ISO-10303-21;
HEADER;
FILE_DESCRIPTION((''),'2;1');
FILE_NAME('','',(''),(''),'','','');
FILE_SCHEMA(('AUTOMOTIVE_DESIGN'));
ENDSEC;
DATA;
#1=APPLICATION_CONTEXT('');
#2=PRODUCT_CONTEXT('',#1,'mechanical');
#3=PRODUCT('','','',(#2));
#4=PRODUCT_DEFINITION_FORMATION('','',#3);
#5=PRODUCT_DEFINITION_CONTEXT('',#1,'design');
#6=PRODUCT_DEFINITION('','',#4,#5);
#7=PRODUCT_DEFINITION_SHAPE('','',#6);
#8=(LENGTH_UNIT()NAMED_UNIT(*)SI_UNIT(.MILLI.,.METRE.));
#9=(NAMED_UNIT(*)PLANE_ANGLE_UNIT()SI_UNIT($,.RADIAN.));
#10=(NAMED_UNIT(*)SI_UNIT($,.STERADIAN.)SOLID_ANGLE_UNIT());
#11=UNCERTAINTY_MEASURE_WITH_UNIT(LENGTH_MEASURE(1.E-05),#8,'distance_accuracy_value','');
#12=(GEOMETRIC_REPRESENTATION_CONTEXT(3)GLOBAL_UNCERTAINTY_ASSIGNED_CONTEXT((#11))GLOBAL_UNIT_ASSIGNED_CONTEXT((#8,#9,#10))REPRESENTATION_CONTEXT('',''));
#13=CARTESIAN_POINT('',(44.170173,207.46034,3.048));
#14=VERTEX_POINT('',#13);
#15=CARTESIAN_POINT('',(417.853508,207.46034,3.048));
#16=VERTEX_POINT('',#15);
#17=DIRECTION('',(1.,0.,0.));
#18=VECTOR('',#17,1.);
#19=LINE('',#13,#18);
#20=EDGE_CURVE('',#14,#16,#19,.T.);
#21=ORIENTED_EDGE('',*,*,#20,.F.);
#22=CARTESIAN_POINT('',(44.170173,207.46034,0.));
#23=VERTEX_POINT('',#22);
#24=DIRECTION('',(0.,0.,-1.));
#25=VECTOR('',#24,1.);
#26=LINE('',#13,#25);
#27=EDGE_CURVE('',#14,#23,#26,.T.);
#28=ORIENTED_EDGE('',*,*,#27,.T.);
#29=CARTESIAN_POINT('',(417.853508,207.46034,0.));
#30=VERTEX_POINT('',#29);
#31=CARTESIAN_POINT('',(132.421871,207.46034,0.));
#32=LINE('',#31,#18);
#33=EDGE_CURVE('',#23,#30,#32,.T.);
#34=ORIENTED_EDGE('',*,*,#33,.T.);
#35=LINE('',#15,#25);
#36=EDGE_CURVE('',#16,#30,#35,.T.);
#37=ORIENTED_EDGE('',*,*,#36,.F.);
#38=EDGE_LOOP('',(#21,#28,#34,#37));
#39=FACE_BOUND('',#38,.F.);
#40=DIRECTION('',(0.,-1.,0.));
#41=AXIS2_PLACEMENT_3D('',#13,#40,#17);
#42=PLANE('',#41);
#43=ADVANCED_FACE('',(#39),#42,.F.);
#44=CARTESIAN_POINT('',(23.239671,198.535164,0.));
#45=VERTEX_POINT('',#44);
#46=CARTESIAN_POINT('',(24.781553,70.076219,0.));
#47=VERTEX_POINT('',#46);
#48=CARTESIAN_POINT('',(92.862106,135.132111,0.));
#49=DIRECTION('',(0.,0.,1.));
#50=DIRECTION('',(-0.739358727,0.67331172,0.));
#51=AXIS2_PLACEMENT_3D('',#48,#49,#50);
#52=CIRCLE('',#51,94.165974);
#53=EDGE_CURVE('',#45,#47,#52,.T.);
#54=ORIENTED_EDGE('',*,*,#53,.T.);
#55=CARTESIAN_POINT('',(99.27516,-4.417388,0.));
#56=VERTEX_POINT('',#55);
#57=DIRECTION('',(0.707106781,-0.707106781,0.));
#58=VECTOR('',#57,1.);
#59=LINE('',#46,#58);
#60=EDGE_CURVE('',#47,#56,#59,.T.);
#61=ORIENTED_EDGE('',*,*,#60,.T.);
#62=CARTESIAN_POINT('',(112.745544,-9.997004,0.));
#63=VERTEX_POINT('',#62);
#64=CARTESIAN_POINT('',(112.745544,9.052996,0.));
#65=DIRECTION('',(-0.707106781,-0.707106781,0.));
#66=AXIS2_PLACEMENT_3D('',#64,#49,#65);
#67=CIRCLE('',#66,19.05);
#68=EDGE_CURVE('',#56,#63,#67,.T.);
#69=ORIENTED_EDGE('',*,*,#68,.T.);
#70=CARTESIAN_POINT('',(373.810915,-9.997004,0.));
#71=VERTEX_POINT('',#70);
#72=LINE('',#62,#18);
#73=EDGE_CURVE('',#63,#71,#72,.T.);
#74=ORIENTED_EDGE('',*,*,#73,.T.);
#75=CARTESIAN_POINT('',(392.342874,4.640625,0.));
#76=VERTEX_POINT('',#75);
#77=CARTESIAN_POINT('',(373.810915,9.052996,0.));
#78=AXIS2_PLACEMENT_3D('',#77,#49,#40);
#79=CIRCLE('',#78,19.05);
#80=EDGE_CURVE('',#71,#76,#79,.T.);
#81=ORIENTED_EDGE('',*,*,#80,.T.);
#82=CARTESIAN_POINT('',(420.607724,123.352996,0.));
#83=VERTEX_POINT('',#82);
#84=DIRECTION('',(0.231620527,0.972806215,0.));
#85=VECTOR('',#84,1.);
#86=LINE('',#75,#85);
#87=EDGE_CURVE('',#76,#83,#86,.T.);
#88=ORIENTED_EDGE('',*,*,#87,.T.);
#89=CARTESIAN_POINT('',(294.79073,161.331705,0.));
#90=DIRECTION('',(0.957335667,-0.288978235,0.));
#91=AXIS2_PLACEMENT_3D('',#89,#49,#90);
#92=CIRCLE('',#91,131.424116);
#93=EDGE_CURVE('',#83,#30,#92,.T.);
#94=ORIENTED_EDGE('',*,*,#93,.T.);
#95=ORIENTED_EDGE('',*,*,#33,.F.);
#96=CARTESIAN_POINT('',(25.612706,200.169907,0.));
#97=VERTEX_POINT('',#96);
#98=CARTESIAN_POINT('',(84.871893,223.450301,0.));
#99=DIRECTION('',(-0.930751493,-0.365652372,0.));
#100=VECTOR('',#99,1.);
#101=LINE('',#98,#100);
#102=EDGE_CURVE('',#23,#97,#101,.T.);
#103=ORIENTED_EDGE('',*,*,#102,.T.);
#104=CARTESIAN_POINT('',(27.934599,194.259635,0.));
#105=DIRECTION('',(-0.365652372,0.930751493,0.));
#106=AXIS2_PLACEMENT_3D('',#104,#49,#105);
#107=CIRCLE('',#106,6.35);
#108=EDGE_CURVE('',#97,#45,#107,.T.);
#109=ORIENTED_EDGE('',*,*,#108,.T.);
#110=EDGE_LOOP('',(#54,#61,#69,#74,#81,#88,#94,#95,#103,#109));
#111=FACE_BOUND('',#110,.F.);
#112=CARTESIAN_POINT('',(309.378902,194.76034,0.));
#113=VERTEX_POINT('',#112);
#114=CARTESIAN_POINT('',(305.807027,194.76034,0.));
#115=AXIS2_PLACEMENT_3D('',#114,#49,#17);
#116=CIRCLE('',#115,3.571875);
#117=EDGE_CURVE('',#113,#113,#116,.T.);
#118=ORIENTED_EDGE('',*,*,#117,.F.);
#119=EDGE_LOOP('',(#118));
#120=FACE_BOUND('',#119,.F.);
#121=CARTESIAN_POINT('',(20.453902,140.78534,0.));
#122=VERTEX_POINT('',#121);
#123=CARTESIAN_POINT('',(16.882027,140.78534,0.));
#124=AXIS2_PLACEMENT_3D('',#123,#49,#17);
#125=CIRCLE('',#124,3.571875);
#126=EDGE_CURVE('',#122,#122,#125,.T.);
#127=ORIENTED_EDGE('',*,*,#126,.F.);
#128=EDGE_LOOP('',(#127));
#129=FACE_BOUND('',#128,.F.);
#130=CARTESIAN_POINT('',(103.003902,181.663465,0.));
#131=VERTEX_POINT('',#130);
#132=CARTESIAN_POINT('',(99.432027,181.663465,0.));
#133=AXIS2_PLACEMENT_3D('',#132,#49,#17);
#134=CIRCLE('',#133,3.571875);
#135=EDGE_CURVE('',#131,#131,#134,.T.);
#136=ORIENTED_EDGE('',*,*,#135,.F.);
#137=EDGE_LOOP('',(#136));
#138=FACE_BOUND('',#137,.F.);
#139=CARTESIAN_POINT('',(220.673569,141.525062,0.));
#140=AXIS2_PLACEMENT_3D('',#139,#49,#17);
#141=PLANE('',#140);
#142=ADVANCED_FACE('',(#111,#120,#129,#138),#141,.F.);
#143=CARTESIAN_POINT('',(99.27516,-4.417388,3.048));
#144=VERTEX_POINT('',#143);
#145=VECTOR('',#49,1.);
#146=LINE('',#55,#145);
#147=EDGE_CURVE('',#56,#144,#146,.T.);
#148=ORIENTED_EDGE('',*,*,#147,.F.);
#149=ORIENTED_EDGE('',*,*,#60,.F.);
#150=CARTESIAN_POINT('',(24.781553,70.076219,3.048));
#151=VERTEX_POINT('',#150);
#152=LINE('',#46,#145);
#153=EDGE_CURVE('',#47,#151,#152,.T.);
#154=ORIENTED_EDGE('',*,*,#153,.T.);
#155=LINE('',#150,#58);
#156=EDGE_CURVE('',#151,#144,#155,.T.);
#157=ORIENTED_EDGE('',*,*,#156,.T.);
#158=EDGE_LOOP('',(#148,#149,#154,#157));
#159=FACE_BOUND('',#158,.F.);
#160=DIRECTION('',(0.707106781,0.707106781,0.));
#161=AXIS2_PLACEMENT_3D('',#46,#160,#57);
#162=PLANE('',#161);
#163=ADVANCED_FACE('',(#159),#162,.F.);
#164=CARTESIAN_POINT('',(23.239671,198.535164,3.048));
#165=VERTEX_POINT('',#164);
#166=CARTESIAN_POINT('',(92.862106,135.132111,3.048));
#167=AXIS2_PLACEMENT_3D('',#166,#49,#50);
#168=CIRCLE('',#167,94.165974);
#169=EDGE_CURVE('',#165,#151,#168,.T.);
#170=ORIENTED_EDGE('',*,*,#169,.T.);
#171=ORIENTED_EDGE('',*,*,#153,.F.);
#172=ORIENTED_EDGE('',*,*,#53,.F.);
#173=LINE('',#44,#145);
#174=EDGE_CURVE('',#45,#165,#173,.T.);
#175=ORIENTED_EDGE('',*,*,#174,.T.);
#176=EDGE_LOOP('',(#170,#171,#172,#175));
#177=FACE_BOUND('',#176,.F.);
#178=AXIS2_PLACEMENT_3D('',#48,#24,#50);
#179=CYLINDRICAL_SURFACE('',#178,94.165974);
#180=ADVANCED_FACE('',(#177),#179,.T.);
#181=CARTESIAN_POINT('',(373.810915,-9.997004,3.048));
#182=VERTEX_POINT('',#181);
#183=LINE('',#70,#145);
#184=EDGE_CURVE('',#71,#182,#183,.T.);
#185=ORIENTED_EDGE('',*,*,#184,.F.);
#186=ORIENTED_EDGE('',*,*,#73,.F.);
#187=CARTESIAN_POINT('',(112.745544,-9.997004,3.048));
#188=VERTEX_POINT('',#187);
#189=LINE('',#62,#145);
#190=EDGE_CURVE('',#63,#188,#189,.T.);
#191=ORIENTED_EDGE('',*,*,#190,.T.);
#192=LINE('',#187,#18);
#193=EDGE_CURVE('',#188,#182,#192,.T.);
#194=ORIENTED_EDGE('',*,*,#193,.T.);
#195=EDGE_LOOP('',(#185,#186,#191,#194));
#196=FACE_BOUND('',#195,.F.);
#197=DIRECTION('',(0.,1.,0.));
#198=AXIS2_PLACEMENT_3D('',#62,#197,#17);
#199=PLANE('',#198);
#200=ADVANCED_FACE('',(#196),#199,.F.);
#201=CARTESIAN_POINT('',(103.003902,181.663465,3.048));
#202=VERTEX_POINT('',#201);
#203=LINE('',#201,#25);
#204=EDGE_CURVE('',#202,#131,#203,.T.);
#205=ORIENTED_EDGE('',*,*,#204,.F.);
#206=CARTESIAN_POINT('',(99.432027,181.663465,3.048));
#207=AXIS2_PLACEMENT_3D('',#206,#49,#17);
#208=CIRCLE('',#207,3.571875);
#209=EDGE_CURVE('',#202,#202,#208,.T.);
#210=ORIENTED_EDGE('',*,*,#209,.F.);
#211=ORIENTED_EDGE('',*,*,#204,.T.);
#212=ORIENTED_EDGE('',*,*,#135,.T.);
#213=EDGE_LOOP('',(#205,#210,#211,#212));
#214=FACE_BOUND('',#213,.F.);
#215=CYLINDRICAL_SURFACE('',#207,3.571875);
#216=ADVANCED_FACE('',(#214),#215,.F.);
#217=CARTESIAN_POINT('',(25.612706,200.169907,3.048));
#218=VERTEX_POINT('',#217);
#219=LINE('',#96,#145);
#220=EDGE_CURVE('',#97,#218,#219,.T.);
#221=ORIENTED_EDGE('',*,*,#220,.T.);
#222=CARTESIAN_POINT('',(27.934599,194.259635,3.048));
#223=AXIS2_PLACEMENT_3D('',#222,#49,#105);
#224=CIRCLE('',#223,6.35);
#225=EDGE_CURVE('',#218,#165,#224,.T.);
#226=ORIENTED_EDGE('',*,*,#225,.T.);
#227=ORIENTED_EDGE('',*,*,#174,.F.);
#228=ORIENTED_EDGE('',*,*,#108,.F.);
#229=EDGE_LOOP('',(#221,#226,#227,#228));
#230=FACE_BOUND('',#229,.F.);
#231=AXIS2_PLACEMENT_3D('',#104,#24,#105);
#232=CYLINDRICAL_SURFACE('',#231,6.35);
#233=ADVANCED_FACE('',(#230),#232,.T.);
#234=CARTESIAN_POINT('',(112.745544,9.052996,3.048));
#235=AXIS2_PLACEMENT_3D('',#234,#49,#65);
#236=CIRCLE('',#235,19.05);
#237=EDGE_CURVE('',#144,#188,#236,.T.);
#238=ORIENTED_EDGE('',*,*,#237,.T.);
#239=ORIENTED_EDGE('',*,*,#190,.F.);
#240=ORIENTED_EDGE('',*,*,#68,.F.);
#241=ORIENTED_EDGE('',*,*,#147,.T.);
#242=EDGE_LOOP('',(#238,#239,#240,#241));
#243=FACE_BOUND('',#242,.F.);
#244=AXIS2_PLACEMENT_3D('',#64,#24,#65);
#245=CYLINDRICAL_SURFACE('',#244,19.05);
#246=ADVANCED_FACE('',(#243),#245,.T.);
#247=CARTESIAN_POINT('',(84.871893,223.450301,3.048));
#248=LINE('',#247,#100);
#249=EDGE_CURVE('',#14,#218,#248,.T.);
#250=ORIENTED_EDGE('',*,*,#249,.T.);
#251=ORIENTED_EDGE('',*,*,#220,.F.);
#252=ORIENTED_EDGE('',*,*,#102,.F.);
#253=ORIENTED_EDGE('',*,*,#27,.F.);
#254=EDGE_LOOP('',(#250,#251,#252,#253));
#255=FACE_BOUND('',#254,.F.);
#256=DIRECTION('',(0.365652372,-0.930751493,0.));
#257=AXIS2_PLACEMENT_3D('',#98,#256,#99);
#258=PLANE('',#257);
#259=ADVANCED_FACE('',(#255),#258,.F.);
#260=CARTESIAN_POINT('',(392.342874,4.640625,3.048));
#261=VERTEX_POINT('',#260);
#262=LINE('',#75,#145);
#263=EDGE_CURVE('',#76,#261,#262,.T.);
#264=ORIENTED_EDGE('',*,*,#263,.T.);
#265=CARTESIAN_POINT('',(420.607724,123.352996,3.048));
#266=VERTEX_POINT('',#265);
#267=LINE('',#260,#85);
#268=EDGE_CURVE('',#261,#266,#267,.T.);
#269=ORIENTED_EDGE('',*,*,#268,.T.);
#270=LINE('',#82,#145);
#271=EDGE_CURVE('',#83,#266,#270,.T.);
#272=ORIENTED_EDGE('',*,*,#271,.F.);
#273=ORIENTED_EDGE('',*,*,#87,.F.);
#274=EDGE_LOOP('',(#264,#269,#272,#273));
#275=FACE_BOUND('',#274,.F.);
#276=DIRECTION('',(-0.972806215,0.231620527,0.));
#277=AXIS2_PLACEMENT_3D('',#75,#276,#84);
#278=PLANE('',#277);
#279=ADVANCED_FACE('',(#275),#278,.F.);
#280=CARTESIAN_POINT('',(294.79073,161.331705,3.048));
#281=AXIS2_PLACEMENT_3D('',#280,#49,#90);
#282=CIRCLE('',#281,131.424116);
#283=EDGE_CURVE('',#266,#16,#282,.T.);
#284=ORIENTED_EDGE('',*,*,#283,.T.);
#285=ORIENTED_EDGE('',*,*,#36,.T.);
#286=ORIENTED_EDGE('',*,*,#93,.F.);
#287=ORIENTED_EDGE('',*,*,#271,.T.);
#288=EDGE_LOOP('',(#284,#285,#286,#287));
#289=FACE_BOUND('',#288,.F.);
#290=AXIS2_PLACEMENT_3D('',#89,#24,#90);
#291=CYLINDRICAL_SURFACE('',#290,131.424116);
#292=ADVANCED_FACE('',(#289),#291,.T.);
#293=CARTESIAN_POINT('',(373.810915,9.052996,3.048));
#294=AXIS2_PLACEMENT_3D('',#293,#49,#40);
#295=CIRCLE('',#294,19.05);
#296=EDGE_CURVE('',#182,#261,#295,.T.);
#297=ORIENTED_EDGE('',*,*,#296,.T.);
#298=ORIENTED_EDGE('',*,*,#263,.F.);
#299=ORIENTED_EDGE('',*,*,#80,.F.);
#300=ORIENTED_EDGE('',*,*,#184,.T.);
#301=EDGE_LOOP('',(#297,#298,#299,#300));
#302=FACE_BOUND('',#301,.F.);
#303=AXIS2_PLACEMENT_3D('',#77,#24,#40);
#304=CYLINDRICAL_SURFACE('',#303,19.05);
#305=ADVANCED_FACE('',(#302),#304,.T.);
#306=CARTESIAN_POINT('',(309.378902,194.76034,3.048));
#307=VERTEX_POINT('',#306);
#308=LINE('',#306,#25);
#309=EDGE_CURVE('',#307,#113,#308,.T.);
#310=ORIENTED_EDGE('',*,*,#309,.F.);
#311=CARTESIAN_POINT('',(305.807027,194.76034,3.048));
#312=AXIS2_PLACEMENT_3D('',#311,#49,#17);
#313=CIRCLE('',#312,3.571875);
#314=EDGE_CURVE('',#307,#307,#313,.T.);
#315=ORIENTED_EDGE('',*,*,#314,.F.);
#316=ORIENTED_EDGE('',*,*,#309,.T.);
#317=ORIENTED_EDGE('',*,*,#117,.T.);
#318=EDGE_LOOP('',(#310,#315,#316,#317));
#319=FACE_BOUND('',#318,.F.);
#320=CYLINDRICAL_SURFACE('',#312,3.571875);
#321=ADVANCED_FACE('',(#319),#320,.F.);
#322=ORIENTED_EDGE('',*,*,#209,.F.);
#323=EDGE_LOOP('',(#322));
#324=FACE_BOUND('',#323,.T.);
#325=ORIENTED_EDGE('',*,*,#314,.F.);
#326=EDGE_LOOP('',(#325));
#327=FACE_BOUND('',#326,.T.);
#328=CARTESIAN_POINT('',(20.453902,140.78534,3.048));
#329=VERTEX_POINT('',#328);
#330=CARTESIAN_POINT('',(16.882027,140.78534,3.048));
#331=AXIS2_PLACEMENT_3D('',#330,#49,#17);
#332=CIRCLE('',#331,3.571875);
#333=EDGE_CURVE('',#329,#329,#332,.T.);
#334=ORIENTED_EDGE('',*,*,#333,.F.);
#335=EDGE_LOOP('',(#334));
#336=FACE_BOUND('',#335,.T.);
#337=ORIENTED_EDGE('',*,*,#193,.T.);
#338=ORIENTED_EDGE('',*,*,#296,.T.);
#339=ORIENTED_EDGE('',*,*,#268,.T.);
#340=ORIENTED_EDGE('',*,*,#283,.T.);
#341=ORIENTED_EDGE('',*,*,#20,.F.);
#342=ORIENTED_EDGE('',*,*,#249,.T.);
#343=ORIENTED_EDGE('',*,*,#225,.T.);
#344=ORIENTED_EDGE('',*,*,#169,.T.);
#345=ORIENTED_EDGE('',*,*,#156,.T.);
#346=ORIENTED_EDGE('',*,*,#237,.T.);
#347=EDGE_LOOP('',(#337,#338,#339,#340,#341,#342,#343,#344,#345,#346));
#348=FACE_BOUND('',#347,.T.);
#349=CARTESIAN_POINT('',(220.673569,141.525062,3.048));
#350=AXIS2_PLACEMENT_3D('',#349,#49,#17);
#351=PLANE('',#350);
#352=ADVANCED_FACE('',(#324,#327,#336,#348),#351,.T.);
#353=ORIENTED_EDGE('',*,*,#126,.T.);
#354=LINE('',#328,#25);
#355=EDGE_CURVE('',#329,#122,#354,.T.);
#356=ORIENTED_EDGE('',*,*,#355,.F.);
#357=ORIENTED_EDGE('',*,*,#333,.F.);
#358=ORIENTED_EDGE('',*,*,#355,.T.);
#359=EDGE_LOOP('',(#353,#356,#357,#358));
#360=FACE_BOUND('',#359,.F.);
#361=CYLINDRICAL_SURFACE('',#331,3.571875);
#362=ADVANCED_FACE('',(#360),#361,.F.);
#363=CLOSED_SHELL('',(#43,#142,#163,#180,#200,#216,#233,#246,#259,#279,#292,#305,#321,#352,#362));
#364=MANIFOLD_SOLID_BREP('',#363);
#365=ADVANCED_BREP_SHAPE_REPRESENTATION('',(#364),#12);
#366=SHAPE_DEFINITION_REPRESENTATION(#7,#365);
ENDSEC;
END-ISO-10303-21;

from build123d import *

# Parameters (mm, degrees)
F1_DEPTH = 3.048
F2_R     = 2.38125
F3_DEPTH = 3.048
F4_R     = 3.571875
F5_DEPTH = 9.525
F6_R     = 2.38125
F7_DEPTH = 6.35


with BuildPart() as f1:
    # F0 (on Top) → F1 (new body)
    with BuildSketch(Plane.XY):
        with BuildLine():
            Line((356.6070268588, 293.1853402508), (89.9070268588, 293.1853402508))
            Line((89.9070268588, 293.1853402508), (89.9070268588, 230.838141456))
            ThreePointArc((89.9070268588, 230.838141456), (88.5285448509, 226.3678853975), (84.8718925649, 223.4503014769))
            Line((84.8718925649, 223.4503014769), (25.6127064183, 200.1699069193))
            ThreePointArc((25.6127064183, 200.1699069193), (24.3322333387, 199.4889237751), (23.2396710643, 198.5351643577))
            ThreePointArc((23.2396710643, 198.5351643577), (-1.2970857024, 134.0019257775), (24.7815527961, 70.0762194589))
            Line((24.7815527961, 70.0762194589), (99.2751600757, -4.4173878207))
            ThreePointArc((99.2751600757, -4.4173878207), (105.4554248707, -8.5469087335), (112.7455442573, -9.9970036391))
            Line((112.7455442573, -9.9970036391), (373.8109154673, -9.9970036391))
            ThreePointArc((373.8109154673, -9.9970036391), (385.6186847653, -5.8962204817), (392.3428738571, 4.6406253157))
            Line((392.3428738571, 4.6406253157), (420.6077241059, 123.3529963609))
            ThreePointArc((420.6077241059, 123.3529963609), (416.1467307829, 211.7798908878), (356.6070268588, 277.3103402508))
            Line((356.6070268588, 277.3103402508), (356.6070268588, 293.1853402508))
        make_face()
    extrude(amount=F1_DEPTH)

    # F2 (on face) → F3 (cut, through all)
    with BuildSketch(Plane.XY.offset(3.048)):
        with Locations((261.3570268588, 283.6603402508)):
            Circle(F2_R)
        with Locations((197.8570268588, 283.6603402508)):
            Circle(F2_R)
        with Locations((134.3570268588, 283.6603402508)):
            Circle(F2_R)
    extrude(amount=-F3_DEPTH, mode=Mode.SUBTRACT)

    # F4 (on face) → F5 (cut)
    with BuildSketch(Plane.XY.offset(3.048)):
        with Locations((99.4320268588, 181.6634652508)):
            Circle(F4_R)
        with Locations((16.8820268588, 140.7853402508)):
            Circle(F4_R)
        with Locations((305.8070268588, 194.7603402508)):
            Circle(F4_R)
    extrude(amount=-F5_DEPTH, mode=Mode.SUBTRACT)

    # F6 (on face) → F7 (cut)
    with BuildSketch(Plane.XY.offset(3.048)):
        with BuildLine():
            Line((44.1701730803, 207.4603402508), (417.85350826, 207.4603402508))
            ThreePointArc((417.85350826, 207.4603402508), (393.6078526777, 247.9773896185), (356.6070268588, 277.3103402508))
            Line((356.6070268588, 277.3103402508), (356.6070268588, 293.1853402508))
            Line((356.6070268588, 293.1853402508), (89.9070268588, 293.1853402508))
            Line((89.9070268588, 293.1853402508), (89.9070268588, 230.838141456))
            ThreePointArc((89.9070268588, 230.838141456), (88.5285448509, 226.3678853975), (84.8718925649, 223.4503014769))
            Line((84.8718925649, 223.4503014769), (44.1701730803, 207.4603402508))
        make_face()
        with Locations((134.3570268588, 283.6603402508)):
            Circle(F6_R, mode=Mode.SUBTRACT)
        with Locations((197.8570268588, 283.6603402508)):
            Circle(F6_R, mode=Mode.SUBTRACT)
        with Locations((261.3570268588, 283.6603402508)):
            Circle(F6_R, mode=Mode.SUBTRACT)
    extrude(amount=-F7_DEPTH, mode=Mode.SUBTRACT)


solid = f1.part
